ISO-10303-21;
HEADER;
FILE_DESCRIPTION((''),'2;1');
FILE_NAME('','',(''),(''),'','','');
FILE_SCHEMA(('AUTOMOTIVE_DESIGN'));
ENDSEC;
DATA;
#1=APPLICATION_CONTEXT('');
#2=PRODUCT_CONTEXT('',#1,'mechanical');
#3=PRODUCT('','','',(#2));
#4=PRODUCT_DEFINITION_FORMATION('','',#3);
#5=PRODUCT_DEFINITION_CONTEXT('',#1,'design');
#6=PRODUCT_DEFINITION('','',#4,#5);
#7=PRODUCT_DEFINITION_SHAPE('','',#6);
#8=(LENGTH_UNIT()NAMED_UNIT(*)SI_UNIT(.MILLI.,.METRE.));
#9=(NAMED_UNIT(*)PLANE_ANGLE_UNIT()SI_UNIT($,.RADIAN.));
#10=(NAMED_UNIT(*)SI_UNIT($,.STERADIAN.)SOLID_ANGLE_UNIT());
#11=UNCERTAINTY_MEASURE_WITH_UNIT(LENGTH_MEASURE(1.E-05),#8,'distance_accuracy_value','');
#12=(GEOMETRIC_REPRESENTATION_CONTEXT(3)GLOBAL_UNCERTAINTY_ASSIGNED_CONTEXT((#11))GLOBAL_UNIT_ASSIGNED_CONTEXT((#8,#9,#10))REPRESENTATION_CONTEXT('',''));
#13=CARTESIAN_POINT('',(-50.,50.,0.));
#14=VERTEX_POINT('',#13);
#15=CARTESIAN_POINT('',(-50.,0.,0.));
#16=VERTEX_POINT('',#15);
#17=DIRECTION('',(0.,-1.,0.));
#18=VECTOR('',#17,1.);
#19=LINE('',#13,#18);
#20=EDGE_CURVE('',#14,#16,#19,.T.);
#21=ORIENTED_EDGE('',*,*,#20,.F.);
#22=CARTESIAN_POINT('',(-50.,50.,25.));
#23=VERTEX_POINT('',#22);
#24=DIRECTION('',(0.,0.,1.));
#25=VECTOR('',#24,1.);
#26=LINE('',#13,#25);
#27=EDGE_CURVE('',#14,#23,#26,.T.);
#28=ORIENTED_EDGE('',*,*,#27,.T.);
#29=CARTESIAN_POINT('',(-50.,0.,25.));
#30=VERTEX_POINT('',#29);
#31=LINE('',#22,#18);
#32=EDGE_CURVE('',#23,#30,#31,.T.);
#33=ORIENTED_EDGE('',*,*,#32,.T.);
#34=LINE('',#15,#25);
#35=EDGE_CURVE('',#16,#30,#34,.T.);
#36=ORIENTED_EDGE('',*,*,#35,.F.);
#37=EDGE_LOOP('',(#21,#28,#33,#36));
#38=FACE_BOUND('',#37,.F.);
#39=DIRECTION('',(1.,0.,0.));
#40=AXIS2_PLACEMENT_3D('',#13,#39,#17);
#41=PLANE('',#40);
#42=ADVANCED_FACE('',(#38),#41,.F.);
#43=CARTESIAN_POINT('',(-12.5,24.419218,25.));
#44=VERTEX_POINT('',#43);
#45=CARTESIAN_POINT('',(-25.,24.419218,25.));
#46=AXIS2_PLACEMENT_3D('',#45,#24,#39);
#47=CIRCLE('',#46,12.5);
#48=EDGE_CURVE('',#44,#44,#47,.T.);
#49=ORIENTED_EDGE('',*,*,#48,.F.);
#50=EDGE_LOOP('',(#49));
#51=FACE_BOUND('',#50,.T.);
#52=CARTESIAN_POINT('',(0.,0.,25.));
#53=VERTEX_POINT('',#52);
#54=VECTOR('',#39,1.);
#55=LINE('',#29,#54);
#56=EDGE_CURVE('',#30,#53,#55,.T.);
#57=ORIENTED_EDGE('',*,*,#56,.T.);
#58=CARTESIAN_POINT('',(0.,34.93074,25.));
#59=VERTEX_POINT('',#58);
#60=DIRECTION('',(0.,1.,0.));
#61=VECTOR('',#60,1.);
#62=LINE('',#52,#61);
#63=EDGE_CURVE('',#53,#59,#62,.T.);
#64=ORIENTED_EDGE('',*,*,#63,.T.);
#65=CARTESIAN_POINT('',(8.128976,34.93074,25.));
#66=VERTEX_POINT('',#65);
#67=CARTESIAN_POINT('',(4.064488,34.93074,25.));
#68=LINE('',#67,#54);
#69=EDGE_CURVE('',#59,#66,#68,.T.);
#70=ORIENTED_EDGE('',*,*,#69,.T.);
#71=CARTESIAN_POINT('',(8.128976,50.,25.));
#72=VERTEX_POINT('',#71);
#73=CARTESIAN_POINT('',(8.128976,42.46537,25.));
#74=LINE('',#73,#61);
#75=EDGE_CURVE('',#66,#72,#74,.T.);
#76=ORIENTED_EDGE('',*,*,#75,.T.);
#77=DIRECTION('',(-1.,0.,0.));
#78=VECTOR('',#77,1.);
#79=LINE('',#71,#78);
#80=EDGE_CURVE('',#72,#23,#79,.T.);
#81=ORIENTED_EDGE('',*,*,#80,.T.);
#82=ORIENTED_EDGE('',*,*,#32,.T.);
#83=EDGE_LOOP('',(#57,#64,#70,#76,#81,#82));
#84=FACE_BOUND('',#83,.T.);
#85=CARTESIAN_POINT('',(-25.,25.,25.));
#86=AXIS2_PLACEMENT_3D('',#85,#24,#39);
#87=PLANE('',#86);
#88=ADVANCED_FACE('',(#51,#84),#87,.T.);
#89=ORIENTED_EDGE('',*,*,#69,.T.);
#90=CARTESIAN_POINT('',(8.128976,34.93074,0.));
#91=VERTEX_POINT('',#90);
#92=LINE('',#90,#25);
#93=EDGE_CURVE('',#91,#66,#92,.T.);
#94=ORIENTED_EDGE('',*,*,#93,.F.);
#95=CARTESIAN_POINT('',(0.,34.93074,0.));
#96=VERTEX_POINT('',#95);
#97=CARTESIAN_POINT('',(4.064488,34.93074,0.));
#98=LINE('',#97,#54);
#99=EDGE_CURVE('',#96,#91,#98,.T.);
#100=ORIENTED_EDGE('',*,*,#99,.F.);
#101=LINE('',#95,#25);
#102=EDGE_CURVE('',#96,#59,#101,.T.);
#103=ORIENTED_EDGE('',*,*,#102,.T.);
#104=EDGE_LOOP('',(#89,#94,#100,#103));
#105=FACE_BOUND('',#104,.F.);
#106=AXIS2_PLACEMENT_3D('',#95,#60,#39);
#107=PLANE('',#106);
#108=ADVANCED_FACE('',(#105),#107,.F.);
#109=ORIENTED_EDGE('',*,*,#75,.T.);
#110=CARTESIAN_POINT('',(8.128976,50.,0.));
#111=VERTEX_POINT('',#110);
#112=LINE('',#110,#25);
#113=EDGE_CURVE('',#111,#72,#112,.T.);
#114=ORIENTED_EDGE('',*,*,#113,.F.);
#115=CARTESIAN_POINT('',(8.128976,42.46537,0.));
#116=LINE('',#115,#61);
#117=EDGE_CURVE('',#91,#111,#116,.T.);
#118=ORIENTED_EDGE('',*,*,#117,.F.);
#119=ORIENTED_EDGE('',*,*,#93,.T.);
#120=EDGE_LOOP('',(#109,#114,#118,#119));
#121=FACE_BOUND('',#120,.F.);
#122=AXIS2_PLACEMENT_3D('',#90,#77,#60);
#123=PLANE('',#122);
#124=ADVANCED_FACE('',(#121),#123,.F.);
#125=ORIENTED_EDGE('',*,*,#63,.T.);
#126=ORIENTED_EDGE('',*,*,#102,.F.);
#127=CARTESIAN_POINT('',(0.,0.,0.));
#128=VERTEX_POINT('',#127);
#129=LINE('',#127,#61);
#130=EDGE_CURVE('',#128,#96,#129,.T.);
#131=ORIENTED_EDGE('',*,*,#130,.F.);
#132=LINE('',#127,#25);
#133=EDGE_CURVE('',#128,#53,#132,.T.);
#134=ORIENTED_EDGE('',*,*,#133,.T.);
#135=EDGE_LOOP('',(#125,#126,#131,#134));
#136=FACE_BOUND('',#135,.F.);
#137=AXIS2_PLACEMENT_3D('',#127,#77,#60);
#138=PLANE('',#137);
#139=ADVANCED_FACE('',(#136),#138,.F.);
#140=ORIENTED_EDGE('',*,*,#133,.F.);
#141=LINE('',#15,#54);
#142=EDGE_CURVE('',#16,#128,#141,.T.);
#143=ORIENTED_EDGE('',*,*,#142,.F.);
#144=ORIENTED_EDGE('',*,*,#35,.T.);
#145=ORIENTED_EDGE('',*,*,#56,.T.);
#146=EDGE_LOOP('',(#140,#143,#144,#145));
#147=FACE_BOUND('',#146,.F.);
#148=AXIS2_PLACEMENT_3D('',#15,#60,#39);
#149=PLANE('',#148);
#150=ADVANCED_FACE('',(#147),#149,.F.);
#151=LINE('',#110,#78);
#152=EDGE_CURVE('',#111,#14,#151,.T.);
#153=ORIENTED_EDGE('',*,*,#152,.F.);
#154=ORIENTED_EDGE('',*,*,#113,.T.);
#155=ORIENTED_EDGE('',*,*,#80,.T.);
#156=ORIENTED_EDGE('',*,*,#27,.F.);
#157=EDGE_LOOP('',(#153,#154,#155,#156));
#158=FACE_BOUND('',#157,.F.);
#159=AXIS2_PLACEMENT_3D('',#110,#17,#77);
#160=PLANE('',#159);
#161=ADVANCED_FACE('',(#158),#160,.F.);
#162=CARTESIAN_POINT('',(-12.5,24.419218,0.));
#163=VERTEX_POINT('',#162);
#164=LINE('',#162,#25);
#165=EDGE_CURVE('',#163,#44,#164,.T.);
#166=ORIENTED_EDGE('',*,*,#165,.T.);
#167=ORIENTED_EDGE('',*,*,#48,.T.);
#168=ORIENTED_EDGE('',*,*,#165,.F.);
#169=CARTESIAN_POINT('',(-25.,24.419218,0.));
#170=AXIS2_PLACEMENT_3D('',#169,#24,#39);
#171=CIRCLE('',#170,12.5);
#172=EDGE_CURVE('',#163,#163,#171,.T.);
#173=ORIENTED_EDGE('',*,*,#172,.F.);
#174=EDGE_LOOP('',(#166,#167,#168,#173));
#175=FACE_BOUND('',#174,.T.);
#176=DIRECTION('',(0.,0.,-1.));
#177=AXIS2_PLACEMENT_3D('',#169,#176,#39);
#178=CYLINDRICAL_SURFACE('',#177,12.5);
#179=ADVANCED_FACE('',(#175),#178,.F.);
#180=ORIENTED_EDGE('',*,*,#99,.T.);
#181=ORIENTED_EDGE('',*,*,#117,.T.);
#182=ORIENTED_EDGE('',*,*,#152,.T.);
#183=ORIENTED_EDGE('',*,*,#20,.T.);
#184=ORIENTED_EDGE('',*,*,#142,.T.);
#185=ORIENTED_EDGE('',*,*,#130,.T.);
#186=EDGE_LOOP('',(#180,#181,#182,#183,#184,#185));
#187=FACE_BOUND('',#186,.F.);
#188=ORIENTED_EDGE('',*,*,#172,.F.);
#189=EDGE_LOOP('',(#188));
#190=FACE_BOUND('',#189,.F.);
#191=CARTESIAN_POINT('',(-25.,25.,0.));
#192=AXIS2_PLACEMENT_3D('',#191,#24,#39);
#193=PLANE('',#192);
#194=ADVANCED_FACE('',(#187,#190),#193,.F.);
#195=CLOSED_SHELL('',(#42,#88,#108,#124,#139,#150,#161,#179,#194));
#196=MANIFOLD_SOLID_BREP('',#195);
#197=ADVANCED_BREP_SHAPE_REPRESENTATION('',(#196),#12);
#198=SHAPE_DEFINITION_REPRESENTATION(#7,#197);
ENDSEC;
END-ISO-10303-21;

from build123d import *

# Parameters (mm, degrees)
F0_R     = 12.5
F0_W     = 8.128976
F0_H     = 15.06926
F1_DEPTH = 25


with BuildPart() as f1:
    # F0 (on Top) → F1 (new body)
    with BuildSketch(Plane.XY):
        Polygon((-50, 0), (0, 0), (0, 34.93074), (0, 50), (-50, 50), align=None)
        with Locations((-25, 24.419218)):
            Circle(F0_R, mode=Mode.SUBTRACT)
        with Locations((4.064488, 42.46537)):
            Rectangle(F0_W, F0_H)
    extrude(amount=F1_DEPTH)


solid = f1.part
